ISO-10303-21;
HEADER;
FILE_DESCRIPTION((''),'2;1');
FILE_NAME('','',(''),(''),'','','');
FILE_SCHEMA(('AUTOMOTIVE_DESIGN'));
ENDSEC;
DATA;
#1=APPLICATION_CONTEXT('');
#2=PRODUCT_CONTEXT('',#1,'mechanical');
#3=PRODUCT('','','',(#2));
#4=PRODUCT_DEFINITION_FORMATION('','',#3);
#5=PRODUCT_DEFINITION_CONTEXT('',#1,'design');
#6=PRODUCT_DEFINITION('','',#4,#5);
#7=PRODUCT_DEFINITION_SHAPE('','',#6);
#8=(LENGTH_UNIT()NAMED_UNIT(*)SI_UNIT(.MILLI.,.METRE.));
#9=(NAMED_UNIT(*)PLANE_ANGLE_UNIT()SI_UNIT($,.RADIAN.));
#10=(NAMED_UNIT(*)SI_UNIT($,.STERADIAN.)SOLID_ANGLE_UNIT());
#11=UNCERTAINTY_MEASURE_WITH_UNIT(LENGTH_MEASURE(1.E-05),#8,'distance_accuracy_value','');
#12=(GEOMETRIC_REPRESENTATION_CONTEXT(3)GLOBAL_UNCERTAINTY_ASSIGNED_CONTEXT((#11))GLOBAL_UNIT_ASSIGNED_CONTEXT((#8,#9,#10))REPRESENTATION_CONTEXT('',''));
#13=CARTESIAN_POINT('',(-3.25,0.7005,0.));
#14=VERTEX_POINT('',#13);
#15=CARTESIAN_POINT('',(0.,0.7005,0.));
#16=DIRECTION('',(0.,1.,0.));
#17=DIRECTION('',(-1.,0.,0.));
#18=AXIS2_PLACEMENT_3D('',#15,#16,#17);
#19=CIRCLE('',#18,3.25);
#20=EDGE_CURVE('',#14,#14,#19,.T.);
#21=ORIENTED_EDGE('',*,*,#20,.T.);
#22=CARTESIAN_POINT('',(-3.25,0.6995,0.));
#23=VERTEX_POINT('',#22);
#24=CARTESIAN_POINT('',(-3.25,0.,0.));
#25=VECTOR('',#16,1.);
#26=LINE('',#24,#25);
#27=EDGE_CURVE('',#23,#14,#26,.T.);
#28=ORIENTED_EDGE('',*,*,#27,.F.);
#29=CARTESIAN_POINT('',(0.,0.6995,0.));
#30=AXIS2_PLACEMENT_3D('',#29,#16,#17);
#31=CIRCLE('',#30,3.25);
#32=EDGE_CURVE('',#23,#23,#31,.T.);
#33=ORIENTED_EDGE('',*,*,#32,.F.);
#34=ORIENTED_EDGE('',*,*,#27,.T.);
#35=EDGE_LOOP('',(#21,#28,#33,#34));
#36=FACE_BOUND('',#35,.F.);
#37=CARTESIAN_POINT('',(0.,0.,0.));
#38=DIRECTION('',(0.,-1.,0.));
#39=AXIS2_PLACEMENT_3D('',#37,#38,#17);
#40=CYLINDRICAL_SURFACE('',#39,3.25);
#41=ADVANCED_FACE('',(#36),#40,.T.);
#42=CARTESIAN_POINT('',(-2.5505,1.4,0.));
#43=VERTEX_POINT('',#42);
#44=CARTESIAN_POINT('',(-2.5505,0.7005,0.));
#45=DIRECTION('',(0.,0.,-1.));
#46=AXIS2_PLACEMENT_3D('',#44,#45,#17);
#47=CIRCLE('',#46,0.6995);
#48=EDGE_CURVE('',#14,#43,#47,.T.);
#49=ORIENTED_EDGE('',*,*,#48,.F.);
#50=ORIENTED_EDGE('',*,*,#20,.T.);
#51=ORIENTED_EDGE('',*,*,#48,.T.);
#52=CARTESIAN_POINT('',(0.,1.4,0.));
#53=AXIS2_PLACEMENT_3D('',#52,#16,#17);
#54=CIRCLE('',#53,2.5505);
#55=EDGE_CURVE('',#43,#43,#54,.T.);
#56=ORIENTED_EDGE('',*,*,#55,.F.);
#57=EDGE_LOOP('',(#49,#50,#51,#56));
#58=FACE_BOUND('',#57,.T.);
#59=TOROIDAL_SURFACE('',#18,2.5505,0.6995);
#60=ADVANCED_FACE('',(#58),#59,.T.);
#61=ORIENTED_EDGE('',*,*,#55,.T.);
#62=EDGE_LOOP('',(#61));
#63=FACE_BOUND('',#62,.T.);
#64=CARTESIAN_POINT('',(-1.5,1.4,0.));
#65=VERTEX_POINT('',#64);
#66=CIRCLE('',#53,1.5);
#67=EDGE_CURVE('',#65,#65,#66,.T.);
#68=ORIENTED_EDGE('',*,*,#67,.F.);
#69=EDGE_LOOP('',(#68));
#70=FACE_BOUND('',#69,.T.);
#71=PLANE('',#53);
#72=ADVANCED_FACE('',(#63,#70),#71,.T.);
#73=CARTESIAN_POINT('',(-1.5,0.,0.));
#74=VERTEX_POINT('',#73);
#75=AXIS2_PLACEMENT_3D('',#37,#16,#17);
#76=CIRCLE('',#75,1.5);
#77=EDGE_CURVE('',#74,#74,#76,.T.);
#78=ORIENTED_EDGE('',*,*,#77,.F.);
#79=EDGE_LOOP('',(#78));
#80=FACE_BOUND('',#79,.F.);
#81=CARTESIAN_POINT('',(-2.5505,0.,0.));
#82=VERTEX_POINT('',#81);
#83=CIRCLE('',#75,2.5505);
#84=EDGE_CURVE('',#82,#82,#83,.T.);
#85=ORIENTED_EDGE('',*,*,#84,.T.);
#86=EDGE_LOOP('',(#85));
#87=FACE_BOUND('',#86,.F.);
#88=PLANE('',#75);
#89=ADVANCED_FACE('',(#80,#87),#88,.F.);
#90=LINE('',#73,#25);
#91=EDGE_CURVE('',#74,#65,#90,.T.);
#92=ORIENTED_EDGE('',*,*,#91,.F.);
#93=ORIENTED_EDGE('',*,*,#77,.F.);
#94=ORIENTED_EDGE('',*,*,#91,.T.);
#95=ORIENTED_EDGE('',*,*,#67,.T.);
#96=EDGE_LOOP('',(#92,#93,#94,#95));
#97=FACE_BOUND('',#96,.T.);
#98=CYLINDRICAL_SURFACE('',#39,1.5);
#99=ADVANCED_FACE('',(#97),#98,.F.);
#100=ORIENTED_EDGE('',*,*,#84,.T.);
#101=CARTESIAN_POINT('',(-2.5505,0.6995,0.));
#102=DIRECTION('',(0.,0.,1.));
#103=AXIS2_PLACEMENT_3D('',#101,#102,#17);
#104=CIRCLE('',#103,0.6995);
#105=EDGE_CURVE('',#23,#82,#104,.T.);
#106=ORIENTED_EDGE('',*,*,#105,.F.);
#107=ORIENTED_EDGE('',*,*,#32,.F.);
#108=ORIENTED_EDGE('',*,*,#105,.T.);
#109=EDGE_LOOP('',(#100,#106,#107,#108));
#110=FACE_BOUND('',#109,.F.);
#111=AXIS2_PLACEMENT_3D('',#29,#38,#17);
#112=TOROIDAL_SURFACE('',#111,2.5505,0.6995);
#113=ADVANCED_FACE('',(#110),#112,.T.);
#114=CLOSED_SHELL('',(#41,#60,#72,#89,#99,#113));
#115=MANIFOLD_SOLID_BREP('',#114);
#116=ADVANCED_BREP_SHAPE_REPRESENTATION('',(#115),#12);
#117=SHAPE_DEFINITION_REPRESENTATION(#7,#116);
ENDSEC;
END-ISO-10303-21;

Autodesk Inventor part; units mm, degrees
ref_plane "YZ Plane" through (0, 0, 0) normal (1, 0, 0) x (0, 1, 0)
ref_plane "XZ Plane" through (0, 0, 0) normal (0, 1, 0) x (-1, 0, 0)
ref_plane "XY Plane" through (0, 0, 0) normal (0, 0, 1) x (1, 0, 0)
sketch "スケッチ1" plane through (0, 0, 0) normal (0, 1, 0) x (-1, 0, 0)
  circle A0 centre (0, 0) radius 3.25
  circle A1 centre (0, 0) radius 1.5
  dimension "d0" = 6.5
  dimension "d1" = 3
extrude "押し出し1" add sketch "スケッチ1" along normal blind 1.4
fillet "フィレット1" radius 0.7 2 edges at (3.25, 0, 0) (3.25, 1.4, 0)
properties part number "タミヤダンパー部品6" material "ゴム"
